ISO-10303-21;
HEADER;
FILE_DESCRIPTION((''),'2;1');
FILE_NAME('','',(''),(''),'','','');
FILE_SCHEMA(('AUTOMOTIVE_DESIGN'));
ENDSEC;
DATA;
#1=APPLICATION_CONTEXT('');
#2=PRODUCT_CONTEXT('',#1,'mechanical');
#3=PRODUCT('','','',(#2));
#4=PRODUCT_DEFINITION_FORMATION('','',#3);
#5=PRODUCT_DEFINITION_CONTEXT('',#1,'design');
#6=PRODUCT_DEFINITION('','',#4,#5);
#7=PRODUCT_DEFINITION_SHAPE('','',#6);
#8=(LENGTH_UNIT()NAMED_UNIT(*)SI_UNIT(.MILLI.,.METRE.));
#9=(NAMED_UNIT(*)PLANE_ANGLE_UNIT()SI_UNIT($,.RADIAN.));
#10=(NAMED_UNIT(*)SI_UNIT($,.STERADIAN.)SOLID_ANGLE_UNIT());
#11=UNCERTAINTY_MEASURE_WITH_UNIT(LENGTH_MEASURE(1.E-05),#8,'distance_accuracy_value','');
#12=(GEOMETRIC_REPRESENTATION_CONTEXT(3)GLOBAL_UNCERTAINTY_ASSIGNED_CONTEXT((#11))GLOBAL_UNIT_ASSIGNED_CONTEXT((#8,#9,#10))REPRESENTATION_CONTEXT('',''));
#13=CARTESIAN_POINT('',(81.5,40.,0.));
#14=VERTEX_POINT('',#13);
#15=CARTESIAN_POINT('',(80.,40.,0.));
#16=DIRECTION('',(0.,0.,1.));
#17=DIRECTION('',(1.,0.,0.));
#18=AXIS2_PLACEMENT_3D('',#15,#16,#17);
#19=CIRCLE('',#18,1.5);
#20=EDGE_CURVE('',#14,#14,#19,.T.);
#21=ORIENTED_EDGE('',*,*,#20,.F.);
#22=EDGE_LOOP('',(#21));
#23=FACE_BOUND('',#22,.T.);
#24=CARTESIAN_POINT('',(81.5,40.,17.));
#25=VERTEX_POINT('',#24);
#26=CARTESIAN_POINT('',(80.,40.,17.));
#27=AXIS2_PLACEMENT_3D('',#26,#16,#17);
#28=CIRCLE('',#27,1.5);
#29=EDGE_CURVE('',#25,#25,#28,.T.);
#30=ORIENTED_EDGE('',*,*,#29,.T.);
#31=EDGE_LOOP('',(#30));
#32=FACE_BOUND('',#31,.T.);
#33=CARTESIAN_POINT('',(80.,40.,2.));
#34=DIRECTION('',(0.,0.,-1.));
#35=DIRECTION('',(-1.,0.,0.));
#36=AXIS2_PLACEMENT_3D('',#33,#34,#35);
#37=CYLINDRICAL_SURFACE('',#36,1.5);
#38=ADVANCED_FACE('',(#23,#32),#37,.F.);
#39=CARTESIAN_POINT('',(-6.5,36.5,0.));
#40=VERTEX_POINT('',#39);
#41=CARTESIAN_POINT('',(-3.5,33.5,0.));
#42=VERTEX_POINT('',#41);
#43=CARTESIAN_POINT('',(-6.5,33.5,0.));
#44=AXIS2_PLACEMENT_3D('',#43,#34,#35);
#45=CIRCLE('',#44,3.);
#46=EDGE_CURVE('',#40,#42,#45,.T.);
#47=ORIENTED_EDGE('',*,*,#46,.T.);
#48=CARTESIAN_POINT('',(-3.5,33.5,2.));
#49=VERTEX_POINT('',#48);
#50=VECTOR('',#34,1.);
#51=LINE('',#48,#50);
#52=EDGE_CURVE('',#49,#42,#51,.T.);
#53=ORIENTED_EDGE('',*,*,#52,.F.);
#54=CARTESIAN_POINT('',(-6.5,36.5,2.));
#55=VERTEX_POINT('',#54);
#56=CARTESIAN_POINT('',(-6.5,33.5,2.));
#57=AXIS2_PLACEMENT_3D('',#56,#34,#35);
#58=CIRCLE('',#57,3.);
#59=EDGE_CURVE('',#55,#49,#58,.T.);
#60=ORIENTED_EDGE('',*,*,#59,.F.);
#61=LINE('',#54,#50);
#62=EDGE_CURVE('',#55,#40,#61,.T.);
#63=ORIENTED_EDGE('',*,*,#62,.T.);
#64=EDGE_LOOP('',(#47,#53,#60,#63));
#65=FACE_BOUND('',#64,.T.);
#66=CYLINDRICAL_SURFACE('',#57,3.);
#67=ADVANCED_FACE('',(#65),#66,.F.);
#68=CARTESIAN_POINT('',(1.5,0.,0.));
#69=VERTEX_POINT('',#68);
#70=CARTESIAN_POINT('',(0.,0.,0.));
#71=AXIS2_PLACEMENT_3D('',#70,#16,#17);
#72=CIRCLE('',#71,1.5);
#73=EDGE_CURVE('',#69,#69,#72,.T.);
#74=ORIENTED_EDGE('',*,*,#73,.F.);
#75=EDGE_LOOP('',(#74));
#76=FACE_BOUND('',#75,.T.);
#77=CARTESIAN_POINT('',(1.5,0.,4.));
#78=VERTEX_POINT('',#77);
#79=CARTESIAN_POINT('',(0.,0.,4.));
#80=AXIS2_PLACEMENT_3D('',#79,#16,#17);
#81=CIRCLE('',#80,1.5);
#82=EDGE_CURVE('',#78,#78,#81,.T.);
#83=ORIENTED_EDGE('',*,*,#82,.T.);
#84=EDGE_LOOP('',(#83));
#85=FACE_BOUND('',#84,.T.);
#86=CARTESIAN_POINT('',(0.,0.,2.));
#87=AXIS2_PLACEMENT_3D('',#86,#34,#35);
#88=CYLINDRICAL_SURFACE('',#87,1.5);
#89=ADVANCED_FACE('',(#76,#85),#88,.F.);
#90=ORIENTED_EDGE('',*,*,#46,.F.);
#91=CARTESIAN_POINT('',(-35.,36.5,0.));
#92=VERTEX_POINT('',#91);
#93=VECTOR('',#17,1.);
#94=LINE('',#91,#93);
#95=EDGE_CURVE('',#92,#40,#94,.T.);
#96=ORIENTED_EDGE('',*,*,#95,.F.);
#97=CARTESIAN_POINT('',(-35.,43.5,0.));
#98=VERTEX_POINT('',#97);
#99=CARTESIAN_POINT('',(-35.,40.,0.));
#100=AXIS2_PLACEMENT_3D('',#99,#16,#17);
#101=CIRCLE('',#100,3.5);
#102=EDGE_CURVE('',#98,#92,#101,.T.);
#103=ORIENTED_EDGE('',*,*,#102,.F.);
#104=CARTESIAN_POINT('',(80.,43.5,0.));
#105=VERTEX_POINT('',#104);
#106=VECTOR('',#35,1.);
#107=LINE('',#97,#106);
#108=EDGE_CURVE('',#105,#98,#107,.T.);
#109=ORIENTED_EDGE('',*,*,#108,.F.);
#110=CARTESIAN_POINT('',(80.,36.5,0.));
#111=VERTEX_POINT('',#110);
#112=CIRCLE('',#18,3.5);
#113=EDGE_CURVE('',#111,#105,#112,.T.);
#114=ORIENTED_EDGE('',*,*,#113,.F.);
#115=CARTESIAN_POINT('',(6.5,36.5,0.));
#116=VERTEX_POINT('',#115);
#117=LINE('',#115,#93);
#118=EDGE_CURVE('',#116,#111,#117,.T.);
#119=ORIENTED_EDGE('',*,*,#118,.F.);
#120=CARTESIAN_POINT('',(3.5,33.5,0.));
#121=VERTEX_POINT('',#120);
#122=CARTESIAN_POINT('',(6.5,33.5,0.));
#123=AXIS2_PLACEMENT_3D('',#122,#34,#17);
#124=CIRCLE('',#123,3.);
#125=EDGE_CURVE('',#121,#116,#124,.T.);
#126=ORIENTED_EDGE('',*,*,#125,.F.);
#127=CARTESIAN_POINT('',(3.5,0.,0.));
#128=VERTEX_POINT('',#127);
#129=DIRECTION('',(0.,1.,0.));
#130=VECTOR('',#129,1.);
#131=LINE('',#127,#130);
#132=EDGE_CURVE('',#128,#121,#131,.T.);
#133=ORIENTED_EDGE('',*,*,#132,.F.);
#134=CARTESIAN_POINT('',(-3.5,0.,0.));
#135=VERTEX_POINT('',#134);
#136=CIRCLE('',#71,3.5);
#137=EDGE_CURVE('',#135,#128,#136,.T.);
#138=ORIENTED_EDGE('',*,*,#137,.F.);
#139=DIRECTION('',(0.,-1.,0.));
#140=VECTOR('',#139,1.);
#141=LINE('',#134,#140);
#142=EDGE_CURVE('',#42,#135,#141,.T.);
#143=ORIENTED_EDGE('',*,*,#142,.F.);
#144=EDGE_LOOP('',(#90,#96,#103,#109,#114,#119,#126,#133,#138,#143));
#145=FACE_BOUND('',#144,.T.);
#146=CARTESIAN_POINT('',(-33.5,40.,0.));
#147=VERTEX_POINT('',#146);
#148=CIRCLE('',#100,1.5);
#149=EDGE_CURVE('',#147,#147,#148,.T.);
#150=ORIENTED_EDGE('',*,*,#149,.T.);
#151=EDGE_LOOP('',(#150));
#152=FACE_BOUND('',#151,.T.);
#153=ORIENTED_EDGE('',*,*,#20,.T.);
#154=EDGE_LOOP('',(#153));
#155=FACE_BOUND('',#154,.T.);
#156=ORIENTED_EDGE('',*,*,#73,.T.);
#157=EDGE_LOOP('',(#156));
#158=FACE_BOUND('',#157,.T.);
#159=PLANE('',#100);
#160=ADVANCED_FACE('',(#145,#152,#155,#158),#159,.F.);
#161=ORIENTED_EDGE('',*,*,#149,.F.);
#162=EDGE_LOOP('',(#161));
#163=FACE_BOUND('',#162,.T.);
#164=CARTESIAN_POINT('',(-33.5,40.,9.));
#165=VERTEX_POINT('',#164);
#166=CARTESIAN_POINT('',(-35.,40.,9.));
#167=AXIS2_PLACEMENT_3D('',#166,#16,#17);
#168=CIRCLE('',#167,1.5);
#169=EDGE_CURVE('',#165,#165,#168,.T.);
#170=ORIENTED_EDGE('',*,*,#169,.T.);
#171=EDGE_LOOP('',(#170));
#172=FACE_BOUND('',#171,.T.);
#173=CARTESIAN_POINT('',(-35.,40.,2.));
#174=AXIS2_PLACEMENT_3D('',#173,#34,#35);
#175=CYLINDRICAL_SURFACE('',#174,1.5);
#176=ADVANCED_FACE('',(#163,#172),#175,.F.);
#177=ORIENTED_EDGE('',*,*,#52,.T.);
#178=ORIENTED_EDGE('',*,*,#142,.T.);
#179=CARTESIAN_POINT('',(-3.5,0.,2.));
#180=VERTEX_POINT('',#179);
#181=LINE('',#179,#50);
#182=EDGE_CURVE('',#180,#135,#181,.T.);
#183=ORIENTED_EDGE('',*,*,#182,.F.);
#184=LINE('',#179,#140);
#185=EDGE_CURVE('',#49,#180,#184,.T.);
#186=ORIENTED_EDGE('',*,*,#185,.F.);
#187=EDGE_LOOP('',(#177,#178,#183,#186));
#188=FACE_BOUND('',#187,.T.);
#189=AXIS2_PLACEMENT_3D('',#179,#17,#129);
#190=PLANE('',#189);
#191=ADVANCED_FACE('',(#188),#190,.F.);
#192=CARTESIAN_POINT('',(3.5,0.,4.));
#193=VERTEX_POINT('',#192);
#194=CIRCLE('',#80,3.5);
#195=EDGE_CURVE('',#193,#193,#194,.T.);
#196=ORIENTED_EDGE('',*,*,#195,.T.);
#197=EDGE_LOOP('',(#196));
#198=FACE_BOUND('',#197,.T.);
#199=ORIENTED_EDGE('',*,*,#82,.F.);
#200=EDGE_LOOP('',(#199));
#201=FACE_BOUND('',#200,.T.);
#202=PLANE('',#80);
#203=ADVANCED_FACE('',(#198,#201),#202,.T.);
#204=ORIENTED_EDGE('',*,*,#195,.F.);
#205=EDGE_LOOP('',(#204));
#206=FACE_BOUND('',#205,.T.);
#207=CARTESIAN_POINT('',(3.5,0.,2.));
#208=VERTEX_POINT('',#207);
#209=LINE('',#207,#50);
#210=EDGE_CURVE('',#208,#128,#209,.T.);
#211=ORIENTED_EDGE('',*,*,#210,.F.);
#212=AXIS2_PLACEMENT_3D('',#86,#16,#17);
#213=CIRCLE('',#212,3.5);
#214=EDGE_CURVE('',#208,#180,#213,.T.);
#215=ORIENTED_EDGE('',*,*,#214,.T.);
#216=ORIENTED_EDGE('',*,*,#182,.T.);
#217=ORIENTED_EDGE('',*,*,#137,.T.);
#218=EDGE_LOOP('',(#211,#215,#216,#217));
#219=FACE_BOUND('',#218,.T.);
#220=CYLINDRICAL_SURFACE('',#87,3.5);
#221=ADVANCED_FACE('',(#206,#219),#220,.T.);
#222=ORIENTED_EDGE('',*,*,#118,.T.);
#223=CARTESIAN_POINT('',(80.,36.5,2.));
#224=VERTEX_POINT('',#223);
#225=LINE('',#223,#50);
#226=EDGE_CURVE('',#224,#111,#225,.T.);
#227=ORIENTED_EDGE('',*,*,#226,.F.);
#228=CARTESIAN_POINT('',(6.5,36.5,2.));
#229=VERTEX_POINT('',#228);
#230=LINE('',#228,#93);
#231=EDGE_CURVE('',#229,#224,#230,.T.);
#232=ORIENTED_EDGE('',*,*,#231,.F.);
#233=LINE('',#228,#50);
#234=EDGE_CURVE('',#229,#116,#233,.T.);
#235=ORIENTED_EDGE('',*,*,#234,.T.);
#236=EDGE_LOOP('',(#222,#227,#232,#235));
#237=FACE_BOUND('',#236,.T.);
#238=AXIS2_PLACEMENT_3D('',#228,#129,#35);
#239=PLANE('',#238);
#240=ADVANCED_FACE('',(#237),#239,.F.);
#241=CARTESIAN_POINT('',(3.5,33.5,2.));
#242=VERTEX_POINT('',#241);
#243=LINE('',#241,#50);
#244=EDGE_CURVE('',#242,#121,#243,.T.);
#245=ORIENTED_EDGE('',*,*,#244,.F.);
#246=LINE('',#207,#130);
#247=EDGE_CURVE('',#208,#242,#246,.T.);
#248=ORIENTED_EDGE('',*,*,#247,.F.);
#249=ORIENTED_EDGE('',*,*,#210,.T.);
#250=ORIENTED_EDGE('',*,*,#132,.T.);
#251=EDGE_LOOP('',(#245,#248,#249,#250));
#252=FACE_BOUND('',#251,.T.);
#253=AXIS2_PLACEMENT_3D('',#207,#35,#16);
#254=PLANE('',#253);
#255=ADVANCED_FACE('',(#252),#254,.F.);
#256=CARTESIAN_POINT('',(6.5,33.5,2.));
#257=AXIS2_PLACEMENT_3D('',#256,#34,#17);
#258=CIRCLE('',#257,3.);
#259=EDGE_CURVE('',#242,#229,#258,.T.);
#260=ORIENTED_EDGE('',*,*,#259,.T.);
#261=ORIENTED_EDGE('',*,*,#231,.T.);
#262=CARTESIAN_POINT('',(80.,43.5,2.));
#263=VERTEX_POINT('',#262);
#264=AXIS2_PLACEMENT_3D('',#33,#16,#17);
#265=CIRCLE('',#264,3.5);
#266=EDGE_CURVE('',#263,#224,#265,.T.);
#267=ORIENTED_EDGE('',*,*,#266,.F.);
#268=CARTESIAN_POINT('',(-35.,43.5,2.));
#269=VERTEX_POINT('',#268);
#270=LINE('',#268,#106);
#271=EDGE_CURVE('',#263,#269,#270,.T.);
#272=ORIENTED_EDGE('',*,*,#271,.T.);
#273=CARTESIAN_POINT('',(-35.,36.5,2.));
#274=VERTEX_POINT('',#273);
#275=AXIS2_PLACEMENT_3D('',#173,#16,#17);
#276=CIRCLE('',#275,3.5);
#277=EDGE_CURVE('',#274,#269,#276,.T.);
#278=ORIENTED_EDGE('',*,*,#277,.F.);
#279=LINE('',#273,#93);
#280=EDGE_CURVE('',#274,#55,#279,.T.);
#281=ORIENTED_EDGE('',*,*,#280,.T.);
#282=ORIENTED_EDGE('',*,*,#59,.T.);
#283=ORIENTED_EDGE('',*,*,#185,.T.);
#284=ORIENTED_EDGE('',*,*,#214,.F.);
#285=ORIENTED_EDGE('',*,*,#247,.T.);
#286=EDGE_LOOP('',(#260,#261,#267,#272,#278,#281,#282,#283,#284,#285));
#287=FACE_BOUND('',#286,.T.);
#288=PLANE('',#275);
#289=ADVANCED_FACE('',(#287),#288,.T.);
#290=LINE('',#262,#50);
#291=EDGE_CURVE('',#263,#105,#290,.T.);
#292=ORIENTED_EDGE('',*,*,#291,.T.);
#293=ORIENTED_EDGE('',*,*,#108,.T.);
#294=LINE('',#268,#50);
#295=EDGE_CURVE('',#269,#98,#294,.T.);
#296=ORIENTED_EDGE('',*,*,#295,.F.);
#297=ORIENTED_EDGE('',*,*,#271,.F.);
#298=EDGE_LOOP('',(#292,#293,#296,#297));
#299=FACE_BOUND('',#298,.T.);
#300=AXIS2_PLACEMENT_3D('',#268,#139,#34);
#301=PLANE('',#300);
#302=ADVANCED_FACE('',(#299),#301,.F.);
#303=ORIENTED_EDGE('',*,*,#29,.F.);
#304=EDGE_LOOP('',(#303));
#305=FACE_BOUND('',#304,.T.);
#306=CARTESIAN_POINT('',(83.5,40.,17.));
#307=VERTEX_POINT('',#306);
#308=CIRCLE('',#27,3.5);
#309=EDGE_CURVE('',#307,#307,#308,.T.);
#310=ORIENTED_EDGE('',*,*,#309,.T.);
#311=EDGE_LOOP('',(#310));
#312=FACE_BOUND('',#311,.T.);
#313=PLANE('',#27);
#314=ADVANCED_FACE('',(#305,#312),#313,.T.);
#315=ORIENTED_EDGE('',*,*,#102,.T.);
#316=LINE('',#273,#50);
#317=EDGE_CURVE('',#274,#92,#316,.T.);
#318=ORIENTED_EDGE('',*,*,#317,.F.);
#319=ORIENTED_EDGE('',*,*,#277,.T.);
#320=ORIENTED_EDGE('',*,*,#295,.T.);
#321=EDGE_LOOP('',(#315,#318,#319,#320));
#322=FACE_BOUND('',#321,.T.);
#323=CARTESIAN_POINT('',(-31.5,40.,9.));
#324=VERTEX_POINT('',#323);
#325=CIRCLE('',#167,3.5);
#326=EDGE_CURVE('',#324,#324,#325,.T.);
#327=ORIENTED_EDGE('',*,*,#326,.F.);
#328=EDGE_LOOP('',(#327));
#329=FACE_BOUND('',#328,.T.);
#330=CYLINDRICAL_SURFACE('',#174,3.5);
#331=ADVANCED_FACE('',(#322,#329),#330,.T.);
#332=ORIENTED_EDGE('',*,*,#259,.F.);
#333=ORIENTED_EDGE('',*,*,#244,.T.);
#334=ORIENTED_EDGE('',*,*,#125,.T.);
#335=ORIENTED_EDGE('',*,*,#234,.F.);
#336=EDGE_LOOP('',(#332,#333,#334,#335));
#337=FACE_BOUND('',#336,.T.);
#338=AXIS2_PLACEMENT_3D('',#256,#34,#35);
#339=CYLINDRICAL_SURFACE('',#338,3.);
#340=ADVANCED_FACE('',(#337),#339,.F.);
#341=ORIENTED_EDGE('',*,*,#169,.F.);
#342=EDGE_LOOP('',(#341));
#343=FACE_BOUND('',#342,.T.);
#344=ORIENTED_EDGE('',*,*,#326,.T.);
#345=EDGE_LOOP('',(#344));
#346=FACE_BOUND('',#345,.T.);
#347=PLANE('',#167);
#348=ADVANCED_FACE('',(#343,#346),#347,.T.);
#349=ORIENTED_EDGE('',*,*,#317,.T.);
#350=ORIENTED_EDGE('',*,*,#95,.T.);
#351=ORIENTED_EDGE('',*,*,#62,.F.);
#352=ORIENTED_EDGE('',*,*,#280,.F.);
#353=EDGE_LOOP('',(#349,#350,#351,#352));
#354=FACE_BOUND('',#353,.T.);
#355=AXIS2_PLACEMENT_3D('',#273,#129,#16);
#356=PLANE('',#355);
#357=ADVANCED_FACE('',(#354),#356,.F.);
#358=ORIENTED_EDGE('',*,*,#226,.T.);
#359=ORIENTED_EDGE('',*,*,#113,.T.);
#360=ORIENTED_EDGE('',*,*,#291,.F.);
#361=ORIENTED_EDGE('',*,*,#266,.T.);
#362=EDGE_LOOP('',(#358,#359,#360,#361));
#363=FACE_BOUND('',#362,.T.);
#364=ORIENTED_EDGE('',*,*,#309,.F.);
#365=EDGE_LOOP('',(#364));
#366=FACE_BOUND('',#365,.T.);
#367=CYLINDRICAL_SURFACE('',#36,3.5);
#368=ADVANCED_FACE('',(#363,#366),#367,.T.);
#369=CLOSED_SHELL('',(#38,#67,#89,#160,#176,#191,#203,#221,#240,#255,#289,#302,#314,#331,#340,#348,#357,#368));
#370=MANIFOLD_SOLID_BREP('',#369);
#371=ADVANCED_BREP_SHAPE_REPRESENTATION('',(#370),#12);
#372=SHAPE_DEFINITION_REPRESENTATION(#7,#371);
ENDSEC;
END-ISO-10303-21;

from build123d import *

# Parameters (mm, degrees)
SKETCH1_R           = 1.5
BOSS_EXTRUDE1_DEPTH = 2
SKETCH2_R           = 3.5
SKETCH2_R_2         = 1.5
BOSS_EXTRUDE2_DEPTH = 7
SKETCH3_R           = 3.5
SKETCH3_R_2         = 1.5
BOSS_EXTRUDE3_DEPTH = 15
SKETCH4_R           = 3.5
SKETCH4_R_2         = 1.5
BOSS_EXTRUDE4_DEPTH = 2


with BuildPart() as part:
    # Sketch1 → Boss-Extrude1 (new body)
    with BuildSketch(Plane.XY):
        with BuildLine():
            Line((-35, 43.5), (80, 43.5))
            ThreePointArc((80, 43.5), (83.5, 40), (80, 36.5))
            Line((80, 36.5), (6.5, 36.5))
            ThreePointArc((6.5, 36.5), (4.378679656, 35.621320344), (3.5, 33.5))
            Line((3.5, 33.5), (3.5, 0))
            ThreePointArc((3.5, 0), (0, -3.5), (-3.5, 0))
            Line((-3.5, 0), (-3.5, 33.5))
            ThreePointArc((-3.5, 33.5), (-4.378679656, 35.621320344), (-6.5, 36.5))
            Line((-6.5, 36.5), (-35, 36.5))
            ThreePointArc((-35, 36.5), (-38.5, 40), (-35, 43.5))
        make_face()
        with Locations((-35, 40)):
            Circle(SKETCH1_R, mode=Mode.SUBTRACT)
        with Locations((80, 40)):
            Circle(SKETCH1_R, mode=Mode.SUBTRACT)
        Circle(SKETCH1_R, mode=Mode.SUBTRACT)
    extrude(amount=BOSS_EXTRUDE1_DEPTH)

    # Sketch2 → Boss-Extrude2 (add)
    with BuildSketch(Plane.XY.offset(2)):
        with Locations(Location((-35, 40, 0), (0, 0, 270))):
            Circle(SKETCH2_R)
        with Locations((-35, 40)):
            Circle(SKETCH2_R_2, mode=Mode.SUBTRACT)
    extrude(amount=BOSS_EXTRUDE2_DEPTH)

    # Sketch3 → Boss-Extrude3 (add)
    with BuildSketch(Plane.XY.offset(2)):
        with Locations(Location((80, 40, 0), (0, 0, 90))):
            Circle(SKETCH3_R)
        with Locations((80, 40)):
            Circle(SKETCH3_R_2, mode=Mode.SUBTRACT)
    extrude(amount=BOSS_EXTRUDE3_DEPTH)

    # Sketch4 → Boss-Extrude4 (add)
    with BuildSketch(Plane.XY.offset(2)):
        Circle(SKETCH4_R)
        Circle(SKETCH4_R_2, mode=Mode.SUBTRACT)
    extrude(amount=BOSS_EXTRUDE4_DEPTH)


solid = part.part
